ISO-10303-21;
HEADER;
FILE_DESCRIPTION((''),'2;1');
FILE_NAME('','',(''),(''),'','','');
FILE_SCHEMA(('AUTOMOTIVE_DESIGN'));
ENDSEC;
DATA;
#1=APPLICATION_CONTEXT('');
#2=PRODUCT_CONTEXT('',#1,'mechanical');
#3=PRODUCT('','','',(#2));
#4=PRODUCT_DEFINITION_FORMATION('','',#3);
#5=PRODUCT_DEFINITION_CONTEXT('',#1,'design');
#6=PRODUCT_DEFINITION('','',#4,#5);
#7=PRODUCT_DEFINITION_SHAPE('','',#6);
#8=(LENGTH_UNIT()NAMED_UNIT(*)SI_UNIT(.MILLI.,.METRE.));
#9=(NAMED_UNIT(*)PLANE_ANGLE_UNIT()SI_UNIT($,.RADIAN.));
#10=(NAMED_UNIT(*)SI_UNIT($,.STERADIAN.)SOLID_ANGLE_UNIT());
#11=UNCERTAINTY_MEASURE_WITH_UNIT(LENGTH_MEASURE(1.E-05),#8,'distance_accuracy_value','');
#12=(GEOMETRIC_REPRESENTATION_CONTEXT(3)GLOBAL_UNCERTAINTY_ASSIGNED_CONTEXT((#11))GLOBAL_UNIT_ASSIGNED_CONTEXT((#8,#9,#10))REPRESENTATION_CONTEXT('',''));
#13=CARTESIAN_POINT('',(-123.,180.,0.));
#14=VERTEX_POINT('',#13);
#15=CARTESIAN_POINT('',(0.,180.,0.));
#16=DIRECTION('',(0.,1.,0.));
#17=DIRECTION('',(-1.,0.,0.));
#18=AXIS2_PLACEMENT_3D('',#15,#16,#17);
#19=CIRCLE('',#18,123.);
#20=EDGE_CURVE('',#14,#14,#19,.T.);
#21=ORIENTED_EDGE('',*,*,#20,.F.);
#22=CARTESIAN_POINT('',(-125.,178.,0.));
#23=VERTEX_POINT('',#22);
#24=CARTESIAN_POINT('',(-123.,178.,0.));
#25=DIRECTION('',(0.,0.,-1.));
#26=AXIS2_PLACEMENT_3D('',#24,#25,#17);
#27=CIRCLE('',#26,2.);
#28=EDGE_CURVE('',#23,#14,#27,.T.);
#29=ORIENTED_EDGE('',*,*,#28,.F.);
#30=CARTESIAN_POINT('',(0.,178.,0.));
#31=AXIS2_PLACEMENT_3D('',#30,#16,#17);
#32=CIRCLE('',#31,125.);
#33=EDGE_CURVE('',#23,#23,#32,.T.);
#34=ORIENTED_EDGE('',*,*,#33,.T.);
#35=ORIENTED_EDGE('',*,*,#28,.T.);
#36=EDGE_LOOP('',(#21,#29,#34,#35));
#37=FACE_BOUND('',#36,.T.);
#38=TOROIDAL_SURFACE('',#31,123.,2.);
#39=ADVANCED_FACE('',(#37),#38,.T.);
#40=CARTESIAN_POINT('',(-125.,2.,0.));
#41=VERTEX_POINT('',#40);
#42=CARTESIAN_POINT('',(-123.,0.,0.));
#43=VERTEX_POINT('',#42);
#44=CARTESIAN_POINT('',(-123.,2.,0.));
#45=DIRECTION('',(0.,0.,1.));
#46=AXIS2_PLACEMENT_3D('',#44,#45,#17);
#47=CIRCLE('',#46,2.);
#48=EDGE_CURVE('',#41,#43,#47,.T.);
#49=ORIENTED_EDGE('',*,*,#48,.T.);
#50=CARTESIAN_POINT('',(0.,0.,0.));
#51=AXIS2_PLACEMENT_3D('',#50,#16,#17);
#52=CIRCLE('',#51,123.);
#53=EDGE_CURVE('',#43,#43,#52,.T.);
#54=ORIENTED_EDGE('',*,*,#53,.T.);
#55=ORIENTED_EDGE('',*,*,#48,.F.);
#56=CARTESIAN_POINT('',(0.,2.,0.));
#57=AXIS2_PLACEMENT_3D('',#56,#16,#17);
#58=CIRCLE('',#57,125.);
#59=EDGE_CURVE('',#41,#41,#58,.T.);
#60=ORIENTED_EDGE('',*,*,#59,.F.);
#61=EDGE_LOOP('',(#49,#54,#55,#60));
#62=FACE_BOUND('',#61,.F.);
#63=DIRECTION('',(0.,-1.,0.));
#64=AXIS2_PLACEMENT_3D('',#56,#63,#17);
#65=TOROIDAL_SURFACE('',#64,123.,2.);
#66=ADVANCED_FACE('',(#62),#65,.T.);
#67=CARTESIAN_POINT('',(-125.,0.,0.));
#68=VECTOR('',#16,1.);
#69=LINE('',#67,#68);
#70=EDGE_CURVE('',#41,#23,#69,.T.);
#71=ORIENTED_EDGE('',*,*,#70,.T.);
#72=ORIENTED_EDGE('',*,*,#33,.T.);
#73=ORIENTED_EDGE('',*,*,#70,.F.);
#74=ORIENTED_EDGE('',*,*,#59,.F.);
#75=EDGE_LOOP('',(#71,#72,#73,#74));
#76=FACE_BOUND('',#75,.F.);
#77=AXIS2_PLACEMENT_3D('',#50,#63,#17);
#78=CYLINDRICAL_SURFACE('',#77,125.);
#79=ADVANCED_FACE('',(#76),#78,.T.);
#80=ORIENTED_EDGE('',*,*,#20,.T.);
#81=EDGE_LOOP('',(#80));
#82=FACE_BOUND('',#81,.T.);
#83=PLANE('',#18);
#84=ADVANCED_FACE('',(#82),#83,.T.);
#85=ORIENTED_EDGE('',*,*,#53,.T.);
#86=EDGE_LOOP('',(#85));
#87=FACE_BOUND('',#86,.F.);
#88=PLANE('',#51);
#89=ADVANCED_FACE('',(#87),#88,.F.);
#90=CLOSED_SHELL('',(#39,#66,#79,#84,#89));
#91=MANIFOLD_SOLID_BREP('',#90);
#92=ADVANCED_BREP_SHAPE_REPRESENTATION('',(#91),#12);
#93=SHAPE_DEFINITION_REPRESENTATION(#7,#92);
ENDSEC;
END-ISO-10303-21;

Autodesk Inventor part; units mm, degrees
ref_plane "YZ Plane" through (0, 0, 0) normal (1, 0, 0) x (0, 1, 0)
ref_plane "XZ Plane" through (0, 0, 0) normal (0, 1, 0) x (-1, 0, 0)
ref_plane "XY Plane" through (0, 0, 0) normal (0, 0, 1) x (1, 0, 0)
sketch "Sketch1" plane through (0, 0, 0) normal (0, 1, 0) x (-1, 0, 0)
  circle A0 centre (0, 0) radius 125
  dimension "d0" = 250
extrude "Extrusion1" add sketch "Sketch1" along normal blind 180
fillet "Fillet1" radius 2 2 edges at (125, 180, 0) (125, 0, 0)
properties part number "LoadTestBlock" material "Steel, Carbon"
